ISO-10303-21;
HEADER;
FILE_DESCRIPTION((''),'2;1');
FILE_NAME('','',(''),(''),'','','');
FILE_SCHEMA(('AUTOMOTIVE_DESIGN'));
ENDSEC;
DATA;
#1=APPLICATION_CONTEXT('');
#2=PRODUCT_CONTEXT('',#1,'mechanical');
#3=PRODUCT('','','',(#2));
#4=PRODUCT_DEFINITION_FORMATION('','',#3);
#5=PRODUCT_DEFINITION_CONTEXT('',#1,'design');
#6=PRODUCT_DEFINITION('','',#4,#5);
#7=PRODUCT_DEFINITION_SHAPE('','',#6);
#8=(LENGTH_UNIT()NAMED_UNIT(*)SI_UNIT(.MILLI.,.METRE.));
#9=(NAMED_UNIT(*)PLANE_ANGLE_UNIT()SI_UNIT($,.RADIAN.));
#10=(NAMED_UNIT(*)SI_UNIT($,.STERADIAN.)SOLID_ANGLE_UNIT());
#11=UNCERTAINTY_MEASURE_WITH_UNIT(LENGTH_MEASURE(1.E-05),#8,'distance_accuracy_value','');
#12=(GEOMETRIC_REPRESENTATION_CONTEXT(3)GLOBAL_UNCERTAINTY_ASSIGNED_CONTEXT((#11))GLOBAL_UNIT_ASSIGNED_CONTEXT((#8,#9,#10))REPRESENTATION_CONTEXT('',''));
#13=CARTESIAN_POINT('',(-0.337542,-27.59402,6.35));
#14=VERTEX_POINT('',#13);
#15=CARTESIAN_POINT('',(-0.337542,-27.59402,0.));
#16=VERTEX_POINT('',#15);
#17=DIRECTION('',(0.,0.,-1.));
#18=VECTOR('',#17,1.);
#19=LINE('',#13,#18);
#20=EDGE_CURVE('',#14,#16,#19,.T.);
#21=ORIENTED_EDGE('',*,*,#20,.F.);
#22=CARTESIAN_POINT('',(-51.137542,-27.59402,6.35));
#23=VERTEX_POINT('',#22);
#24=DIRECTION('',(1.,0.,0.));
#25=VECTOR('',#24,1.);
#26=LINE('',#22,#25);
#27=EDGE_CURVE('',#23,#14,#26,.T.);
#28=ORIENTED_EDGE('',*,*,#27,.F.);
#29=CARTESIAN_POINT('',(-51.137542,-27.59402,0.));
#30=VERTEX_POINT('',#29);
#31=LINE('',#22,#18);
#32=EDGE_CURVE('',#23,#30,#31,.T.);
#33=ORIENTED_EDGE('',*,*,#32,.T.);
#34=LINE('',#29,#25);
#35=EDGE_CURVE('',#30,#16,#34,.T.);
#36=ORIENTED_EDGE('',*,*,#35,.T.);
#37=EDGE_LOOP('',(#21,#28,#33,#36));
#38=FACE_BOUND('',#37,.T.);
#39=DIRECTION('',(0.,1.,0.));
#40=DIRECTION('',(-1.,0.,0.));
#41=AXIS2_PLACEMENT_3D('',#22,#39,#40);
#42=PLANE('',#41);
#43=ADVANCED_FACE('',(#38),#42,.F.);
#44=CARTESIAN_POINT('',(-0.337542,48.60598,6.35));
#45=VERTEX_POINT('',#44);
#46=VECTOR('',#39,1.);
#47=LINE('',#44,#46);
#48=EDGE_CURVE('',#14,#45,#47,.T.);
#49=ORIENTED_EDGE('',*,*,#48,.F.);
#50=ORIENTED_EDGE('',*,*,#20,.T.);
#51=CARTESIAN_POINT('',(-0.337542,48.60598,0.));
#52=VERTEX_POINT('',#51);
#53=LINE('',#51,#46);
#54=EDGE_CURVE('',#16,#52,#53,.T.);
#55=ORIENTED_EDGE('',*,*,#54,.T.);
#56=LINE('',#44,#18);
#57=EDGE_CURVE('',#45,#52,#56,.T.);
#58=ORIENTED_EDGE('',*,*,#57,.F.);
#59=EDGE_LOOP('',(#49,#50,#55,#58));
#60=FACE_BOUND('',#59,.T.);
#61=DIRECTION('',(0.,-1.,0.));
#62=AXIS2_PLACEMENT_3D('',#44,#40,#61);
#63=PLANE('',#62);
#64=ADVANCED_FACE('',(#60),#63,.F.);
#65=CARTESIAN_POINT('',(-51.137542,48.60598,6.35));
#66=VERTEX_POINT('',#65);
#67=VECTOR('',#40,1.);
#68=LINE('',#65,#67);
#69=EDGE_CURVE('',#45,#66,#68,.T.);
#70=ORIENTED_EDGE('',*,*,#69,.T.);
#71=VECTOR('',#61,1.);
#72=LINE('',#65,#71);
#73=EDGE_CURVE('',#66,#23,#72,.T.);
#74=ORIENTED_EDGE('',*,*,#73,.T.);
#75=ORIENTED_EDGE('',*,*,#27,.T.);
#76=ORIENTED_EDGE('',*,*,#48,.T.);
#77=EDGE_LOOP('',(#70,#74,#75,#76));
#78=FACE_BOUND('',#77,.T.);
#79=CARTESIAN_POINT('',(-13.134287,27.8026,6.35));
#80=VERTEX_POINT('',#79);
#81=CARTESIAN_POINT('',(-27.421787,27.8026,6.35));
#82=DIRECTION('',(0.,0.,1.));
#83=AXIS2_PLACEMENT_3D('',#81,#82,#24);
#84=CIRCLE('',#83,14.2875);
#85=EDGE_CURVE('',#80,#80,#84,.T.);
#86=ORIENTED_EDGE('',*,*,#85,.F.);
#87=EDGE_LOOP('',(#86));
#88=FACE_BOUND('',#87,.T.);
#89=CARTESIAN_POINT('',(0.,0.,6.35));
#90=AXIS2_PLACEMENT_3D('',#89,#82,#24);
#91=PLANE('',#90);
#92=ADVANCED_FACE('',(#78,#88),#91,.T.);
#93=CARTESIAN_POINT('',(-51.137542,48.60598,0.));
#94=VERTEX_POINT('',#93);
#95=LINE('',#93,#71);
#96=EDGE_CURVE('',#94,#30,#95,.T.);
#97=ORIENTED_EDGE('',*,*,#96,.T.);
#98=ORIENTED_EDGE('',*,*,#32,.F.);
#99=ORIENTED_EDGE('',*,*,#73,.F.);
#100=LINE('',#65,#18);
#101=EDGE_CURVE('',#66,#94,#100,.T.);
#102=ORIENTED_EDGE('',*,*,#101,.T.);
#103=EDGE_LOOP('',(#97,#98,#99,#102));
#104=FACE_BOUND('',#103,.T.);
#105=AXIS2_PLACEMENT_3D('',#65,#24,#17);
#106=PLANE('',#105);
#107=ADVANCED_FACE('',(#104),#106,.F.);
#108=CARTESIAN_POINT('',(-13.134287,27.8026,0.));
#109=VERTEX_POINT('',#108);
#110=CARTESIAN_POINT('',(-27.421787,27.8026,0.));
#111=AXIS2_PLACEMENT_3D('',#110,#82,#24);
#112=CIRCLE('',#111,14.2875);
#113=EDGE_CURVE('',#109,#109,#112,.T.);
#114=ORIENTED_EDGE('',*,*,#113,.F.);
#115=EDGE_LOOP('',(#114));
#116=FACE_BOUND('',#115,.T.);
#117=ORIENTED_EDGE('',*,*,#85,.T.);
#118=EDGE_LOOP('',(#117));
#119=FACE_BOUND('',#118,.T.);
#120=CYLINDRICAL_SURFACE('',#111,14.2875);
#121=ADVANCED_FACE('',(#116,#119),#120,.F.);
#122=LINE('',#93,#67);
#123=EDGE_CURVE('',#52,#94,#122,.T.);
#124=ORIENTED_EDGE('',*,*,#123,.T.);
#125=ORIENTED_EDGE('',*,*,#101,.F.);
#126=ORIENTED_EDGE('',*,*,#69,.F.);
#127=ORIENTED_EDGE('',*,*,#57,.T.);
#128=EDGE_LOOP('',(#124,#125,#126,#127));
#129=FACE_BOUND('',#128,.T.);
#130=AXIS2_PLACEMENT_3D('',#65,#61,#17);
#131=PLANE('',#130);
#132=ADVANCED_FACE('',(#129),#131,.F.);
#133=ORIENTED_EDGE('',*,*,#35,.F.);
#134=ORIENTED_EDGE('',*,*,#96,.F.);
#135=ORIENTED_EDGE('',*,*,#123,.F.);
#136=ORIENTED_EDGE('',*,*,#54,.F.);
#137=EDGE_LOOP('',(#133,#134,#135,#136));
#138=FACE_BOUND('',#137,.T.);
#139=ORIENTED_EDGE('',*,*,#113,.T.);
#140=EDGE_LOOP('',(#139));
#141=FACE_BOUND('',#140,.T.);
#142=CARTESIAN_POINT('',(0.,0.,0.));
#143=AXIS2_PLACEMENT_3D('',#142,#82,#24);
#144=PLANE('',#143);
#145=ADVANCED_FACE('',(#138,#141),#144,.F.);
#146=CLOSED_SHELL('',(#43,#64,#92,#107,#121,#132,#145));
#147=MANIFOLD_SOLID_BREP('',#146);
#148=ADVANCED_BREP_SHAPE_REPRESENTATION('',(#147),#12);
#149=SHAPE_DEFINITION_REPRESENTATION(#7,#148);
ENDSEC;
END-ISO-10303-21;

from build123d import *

# Parameters (mm, degrees)
SKETCH1_W           = 50.8
SKETCH1_H           = 76.2
BOSS_EXTRUDE1_DEPTH = 6.35
SKETCH2_R           = 14.2875
CUT_EXTRUDE1_DEPTH  = 6.35


with BuildPart() as part:
    # Sketch1 → Boss-Extrude1 (new body)
    with BuildSketch(Plane.XY):
        with Locations((-25.737541528, 10.505980066)):
            Rectangle(SKETCH1_W, SKETCH1_H)
    extrude(amount=BOSS_EXTRUDE1_DEPTH)

    # Sketch2 → Cut-Extrude1 (cut)
    with BuildSketch(Plane.XY.offset(6.35)):
        with Locations((-27.421786529, 27.802600454)):
            Circle(SKETCH2_R)
    extrude(amount=-CUT_EXTRUDE1_DEPTH, mode=Mode.SUBTRACT)


solid = part.part
